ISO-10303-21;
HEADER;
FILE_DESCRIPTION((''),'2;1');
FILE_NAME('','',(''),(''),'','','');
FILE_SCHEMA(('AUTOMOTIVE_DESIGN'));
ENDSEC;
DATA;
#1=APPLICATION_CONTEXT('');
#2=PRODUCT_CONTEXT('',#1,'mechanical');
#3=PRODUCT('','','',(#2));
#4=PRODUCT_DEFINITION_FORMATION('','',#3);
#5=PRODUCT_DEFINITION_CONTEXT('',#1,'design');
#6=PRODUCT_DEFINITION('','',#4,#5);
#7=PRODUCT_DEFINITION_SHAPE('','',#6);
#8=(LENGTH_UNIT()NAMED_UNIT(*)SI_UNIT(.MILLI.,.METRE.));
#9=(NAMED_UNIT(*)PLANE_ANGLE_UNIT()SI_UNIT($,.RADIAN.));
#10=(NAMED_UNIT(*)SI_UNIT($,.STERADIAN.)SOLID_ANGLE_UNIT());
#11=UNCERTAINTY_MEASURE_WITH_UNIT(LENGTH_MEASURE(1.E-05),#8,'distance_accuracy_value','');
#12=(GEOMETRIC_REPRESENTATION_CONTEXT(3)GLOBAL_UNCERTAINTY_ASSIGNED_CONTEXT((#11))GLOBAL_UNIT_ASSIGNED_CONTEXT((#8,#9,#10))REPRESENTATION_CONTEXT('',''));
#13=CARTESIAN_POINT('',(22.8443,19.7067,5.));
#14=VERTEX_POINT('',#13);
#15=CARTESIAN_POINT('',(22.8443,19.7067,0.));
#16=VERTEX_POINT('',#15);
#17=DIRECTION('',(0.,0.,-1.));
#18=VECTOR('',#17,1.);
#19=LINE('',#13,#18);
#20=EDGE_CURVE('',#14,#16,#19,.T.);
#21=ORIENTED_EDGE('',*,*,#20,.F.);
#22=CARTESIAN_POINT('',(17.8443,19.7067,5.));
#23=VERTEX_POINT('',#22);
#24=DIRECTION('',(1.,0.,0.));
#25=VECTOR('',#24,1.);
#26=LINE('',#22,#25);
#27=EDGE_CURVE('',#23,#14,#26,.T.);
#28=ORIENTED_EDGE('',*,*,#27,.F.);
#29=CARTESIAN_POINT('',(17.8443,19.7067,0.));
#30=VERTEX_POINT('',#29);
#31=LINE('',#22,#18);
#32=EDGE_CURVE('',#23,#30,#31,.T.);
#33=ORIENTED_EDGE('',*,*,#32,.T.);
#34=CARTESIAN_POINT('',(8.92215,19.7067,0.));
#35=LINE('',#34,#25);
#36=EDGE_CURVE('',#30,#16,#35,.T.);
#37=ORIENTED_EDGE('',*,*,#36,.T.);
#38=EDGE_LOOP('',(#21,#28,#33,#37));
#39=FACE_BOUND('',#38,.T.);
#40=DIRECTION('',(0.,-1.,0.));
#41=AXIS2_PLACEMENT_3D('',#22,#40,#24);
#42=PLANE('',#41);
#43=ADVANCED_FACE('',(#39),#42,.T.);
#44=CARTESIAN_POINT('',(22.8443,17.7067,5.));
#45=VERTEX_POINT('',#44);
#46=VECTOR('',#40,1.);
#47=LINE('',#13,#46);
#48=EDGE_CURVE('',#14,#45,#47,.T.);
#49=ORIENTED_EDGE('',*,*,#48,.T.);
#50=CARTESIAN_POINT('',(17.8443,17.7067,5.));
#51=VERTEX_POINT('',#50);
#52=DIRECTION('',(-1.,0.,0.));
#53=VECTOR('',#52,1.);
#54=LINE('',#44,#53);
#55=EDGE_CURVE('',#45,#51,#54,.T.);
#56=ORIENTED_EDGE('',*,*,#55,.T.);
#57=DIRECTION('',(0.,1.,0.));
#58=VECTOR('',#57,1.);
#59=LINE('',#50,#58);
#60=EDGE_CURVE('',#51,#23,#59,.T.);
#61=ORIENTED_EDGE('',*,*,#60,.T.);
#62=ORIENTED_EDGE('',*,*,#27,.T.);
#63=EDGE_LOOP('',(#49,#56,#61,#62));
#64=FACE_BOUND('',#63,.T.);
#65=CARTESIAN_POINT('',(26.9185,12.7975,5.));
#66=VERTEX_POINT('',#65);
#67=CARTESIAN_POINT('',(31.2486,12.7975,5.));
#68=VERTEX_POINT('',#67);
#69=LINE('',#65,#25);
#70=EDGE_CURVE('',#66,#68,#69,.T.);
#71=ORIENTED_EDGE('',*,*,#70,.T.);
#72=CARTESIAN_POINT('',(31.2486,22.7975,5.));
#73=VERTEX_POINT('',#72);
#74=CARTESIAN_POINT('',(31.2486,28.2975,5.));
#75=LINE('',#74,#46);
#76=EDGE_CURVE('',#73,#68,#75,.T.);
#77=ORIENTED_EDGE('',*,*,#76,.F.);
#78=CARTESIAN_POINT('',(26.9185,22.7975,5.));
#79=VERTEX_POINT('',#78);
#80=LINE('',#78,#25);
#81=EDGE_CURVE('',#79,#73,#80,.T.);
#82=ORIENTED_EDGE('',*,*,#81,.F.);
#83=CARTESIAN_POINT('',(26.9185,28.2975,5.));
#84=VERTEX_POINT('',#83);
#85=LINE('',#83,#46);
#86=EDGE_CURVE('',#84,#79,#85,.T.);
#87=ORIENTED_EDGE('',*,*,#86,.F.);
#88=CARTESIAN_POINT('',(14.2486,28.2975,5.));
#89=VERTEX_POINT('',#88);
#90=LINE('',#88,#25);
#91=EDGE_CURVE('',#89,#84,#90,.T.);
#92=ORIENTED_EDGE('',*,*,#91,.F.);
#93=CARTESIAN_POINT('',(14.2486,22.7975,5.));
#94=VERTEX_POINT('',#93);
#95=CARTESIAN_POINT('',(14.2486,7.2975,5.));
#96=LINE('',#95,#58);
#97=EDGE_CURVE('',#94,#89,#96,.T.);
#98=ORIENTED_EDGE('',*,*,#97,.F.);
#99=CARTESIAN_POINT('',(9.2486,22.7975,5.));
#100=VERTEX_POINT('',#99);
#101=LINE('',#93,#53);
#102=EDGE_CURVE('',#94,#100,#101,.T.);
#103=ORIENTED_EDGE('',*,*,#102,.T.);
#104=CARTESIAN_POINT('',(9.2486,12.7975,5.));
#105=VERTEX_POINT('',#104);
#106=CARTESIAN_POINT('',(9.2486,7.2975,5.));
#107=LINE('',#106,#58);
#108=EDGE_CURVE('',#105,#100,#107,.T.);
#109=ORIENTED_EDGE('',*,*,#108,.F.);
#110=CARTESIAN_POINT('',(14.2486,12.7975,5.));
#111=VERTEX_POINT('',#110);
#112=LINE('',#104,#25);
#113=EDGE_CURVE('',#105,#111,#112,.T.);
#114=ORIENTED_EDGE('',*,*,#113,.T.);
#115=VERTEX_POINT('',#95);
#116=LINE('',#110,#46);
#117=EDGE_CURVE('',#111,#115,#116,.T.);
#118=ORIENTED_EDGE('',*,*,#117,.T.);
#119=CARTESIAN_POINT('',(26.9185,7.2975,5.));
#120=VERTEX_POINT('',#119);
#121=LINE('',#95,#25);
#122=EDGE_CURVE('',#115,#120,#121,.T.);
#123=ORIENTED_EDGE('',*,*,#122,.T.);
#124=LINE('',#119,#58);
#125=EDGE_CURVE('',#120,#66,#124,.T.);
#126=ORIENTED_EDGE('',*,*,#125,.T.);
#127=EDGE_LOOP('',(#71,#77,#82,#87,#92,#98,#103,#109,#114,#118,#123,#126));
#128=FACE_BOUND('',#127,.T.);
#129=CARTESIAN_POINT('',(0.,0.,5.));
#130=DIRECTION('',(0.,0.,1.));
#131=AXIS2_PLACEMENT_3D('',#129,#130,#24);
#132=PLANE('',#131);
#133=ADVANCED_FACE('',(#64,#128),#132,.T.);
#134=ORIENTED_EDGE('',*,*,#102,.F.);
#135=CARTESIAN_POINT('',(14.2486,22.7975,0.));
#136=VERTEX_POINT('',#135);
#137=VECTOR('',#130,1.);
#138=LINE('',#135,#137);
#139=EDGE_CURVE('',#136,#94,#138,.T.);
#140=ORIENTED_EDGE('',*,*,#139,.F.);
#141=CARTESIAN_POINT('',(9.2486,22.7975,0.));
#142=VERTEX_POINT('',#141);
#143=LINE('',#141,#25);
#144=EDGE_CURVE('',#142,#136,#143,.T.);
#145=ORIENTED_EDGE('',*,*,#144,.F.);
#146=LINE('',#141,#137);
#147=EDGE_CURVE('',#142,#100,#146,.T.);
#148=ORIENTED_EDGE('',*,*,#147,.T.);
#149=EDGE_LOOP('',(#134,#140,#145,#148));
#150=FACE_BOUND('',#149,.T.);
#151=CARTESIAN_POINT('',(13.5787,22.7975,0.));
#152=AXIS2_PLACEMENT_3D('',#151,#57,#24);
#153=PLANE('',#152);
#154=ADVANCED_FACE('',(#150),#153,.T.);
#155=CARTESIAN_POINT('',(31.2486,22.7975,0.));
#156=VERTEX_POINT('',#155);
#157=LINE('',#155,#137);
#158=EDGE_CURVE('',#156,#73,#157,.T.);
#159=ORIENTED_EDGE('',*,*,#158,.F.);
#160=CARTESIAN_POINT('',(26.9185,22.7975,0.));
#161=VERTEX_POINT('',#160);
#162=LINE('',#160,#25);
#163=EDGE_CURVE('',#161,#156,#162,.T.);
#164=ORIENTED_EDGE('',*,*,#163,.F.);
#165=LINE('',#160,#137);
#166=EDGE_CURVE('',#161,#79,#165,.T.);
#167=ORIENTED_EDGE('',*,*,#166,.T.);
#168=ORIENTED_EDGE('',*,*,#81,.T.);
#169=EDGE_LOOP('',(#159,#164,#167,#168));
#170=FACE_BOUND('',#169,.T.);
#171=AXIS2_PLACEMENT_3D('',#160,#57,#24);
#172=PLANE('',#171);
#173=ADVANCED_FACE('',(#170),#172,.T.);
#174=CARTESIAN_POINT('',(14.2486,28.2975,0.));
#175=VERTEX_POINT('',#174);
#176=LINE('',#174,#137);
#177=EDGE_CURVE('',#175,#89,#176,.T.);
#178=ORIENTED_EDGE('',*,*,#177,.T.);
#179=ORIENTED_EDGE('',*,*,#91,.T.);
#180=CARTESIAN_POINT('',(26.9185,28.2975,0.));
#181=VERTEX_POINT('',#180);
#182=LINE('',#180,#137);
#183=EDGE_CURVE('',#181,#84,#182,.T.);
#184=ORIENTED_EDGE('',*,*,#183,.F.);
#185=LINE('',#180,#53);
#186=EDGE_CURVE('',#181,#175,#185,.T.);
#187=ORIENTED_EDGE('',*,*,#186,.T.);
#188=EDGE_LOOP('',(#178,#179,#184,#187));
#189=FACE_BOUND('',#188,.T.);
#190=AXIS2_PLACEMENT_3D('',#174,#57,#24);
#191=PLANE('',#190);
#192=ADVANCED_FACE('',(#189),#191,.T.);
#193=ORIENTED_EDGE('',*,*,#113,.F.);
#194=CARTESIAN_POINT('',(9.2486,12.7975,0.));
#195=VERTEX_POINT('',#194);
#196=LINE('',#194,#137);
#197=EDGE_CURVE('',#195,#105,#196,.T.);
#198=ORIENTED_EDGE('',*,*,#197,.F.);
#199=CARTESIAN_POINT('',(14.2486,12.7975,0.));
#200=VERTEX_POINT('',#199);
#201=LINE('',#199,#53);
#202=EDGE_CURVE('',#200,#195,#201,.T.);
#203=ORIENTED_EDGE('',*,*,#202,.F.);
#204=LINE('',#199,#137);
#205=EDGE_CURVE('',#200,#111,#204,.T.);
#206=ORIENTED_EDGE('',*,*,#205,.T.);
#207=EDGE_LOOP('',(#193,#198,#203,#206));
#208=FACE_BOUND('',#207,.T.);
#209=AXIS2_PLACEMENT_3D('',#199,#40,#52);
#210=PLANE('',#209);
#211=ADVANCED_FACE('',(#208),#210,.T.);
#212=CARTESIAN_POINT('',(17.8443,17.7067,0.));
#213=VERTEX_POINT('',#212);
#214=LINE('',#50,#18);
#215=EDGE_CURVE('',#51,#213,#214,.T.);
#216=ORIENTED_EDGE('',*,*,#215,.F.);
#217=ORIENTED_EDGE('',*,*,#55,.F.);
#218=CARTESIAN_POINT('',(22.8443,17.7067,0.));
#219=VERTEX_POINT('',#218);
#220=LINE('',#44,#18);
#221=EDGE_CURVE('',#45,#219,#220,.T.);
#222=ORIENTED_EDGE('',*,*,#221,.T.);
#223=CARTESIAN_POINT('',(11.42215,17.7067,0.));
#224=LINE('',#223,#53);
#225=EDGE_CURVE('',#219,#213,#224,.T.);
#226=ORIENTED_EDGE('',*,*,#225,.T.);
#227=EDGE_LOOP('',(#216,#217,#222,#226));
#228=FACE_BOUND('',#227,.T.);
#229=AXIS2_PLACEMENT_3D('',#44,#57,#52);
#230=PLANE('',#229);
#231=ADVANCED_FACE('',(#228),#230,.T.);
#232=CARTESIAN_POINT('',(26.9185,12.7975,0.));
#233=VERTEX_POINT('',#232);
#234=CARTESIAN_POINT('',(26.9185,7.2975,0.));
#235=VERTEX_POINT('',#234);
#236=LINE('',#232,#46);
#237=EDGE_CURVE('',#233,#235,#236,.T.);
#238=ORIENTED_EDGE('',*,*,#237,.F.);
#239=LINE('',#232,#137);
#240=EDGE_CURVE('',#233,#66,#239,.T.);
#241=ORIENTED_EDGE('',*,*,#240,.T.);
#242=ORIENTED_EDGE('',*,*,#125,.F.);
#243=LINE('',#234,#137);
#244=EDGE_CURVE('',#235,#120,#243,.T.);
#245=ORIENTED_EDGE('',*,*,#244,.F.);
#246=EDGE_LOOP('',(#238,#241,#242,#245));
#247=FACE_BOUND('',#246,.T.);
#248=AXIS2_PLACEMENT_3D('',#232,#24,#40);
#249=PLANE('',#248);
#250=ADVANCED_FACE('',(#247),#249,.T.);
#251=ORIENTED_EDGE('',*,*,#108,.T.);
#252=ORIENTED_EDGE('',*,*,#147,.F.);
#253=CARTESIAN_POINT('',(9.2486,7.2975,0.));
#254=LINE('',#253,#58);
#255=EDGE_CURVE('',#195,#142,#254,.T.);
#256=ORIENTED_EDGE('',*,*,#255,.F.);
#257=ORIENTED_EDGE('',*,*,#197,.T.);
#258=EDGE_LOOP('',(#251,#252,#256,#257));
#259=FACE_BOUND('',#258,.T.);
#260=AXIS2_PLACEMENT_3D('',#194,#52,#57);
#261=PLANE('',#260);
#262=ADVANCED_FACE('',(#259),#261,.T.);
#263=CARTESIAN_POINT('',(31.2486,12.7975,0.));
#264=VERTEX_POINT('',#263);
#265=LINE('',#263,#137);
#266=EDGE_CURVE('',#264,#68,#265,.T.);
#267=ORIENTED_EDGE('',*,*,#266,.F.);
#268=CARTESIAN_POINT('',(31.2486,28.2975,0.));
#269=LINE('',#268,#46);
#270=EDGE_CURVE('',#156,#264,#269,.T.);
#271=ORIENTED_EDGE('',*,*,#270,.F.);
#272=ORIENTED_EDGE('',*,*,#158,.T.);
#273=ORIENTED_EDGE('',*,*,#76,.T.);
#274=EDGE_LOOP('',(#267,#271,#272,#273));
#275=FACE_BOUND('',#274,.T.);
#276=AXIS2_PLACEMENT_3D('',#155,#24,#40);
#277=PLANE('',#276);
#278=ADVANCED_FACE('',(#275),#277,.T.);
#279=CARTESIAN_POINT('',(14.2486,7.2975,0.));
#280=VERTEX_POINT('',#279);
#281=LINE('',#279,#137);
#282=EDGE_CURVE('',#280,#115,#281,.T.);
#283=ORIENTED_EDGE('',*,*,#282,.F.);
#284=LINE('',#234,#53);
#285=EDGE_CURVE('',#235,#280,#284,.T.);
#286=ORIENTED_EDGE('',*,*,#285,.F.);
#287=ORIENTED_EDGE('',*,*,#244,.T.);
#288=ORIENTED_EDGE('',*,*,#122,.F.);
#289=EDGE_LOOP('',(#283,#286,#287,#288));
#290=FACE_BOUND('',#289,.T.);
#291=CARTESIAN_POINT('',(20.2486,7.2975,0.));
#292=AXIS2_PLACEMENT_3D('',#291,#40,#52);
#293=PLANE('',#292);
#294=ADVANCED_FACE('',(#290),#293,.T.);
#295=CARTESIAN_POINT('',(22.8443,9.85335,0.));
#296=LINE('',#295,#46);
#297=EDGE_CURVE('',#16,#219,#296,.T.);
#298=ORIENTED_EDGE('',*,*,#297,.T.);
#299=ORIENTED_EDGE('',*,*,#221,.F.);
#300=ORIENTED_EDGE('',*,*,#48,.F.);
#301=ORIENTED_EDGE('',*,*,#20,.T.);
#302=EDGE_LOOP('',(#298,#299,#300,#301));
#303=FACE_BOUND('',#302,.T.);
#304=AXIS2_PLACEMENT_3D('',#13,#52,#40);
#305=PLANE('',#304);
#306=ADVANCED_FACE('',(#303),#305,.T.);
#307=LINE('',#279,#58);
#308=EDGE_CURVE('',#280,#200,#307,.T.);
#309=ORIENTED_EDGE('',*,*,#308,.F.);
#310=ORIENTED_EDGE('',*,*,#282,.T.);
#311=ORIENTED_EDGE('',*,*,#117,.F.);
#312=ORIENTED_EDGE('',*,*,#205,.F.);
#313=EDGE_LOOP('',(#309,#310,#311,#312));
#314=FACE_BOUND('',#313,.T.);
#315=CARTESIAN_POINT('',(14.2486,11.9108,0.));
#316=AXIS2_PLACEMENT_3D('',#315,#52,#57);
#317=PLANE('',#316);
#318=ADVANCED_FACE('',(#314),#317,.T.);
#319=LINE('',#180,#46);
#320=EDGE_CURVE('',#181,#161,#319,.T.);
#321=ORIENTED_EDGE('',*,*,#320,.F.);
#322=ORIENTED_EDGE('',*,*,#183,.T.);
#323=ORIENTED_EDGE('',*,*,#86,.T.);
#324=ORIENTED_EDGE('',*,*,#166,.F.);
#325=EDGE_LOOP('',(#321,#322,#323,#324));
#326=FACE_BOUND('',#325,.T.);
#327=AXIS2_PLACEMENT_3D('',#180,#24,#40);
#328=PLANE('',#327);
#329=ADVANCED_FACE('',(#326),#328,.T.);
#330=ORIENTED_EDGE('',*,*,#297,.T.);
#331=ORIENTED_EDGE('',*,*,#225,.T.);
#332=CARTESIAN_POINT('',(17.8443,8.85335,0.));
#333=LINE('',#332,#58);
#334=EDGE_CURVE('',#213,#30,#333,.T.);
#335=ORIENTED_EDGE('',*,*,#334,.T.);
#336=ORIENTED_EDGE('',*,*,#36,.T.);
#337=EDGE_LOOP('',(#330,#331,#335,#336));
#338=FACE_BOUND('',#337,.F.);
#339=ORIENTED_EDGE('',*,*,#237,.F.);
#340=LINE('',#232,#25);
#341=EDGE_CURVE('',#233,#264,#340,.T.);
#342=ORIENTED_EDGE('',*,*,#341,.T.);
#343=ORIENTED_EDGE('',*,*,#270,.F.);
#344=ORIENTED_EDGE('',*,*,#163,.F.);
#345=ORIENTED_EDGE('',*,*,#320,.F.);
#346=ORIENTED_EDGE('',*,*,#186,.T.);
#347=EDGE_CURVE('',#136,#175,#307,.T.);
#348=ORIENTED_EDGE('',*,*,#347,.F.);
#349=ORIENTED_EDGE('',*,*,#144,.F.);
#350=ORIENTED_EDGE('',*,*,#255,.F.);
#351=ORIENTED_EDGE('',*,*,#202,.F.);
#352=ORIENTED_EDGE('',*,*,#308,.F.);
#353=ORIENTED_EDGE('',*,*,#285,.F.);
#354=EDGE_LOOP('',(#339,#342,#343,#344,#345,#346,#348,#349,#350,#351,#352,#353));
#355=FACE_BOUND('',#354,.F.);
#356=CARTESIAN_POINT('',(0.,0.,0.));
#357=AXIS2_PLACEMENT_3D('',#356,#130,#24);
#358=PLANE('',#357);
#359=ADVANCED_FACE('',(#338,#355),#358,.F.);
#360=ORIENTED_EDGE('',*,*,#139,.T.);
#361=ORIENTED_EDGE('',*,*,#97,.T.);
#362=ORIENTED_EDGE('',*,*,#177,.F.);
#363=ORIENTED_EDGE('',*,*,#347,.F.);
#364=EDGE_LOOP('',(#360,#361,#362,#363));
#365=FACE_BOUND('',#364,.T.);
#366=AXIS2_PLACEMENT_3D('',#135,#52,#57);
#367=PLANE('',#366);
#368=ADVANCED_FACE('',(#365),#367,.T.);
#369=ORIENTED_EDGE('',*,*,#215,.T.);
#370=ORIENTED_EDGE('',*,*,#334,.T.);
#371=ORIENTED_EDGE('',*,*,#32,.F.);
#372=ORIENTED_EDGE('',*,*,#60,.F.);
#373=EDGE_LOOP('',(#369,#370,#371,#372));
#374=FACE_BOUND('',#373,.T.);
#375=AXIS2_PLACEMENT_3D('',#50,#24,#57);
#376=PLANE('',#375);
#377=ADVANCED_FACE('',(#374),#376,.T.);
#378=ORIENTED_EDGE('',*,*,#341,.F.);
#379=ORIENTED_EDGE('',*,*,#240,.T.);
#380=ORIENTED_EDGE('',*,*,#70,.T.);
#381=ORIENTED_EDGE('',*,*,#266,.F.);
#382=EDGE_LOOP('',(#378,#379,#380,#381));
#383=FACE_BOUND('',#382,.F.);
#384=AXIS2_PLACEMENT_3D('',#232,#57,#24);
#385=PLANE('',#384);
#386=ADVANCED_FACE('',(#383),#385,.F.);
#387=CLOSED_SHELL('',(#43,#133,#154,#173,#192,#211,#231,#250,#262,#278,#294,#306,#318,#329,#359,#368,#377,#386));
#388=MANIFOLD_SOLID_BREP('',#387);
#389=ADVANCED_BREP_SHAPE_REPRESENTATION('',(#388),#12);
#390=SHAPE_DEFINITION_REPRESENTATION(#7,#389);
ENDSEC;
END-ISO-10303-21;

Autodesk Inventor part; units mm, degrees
ref_plane "YZ Plane" through (0, 0, 0) normal (1, 0, 0) x (0, 1, 0)
ref_plane "XZ Plane" through (0, 0, 0) normal (0, 1, 0) x (-1, 0, 0)
ref_plane "XY Plane" through (0, 0, 0) normal (0, 0, 1) x (1, 0, 0)
sketch "Sketch1" plane through (0, 0, 0) normal (0, 0, 1) x (1, 0, 0)
  line L0 (9.2486, 28.2975) -> (31.2486, 28.2975)
  line L1 (31.2486, 28.2975) -> (31.2486, 7.2975)
  line L2 (31.2486, 7.2975) -> (9.2486, 7.2975)
  line L3 (9.2486, 7.2975) -> (9.2486, 28.2975)
  line L4 (14.2486, 17.9108) -> (26.9185, 17.9108)
  line L5 (26.9185, 28.2975) -> (26.9185, 7.2975)
  line L6 (26.9185, 11.9108) -> (14.2486, 11.9108)
  line L7 (14.2486, 7.2975) -> (14.2486, 28.2975)
  line L8 (31.2486, 25.2975) -> (31.2486, 10.2975)
  line L9 (31.2486, 25.2975) -> (26.9185, 22.7975)
  line L10 (31.2486, 25.2975) -> (36.2486, 25.2975) construction
  line L11 (31.2486, 10.2975) -> (26.9185, 12.7975)
  line L12 (31.2486, 10.2975) -> (36.2486, 10.2975) construction
  line L13 (20.2486, 30.1411) -> (20.2486, -2.0626)
  line L14 (9.2486, 25.2975) -> (13.5787, 22.7975)
  line L15 (9.2486, 10.2975) -> (13.5787, 12.7975)
  line L16 (13.5787, 22.7975) -> (9.2486, 22.7975)
  line L17 (13.5787, 22.7975) -> (14.2486, 22.7975)
  line L18 (14.2486, 12.7975) -> (9.2486, 12.7975)
  line L19 (26.9185, 22.7975) -> (31.9185, 22.7975)
  line L20 (31.9185, 22.7975) -> (31.9185, 7.2975)
  line L21 (31.9185, 7.2975) -> (31.2486, 7.2975)
  line L22 (26.9185, 12.7975) -> (31.9185, 12.7975)
  line L23 (31.9185, 22.7975) -> (31.9185, 28.2975)
  line L24 (31.9185, 28.2975) -> (31.2486, 28.2975)
  point P0 (0, 0)
  point P1 (14.2486, 22.024)
  point P2 (9.2486, 25.2975)
  point P3 (9.2486, 10.2975)
  point P4 (14.2486, 12.7975)
  point P5 (31.2486, 12.7975)
  point P6 (31.2486, 22.7975)
  dimension "d0" = 22
  dimension "d1" = 21
  dimension "d2" = 5
  dimension "d3" = 15
  dimension "d4" = 3
  dimension "d5" = 150
  dimension "d6" = 150
  dimension "d7" = 11
  dimension "d10" = 10
  dimension "d11" = 5
extrude "Extrusion1" add sketch "Sketch1" along normal blind 5 contours L0 L13 L4 L7 | L0 L5 L4 L13 | L7 L18 L3 L16 L17 | L13 L6 L7 L4 | L4 L5 L6 L13 | L19 L1 L22 L5 | L13 L2 L7 L6 | L6 L5 L2 L13
sketch "Sketch2" plane through (0, 0, 5) normal (0, 0, 1) x (1, 0, 0)
  line L0 (17.8443, 19.7067) -> (22.8443, 19.7067)
  line L1 (22.8443, 19.7067) -> (22.8443, 17.7067)
  line L2 (22.8443, 17.7067) -> (17.8443, 17.7067)
  line L3 (17.8443, 17.7067) -> (17.8443, 19.7067)
  point P0 (0, 0)
  dimension "d12" = 5
  dimension "d13" = 2
extrude "Extrusion2" cut sketch "Sketch2" against normal blind 10
